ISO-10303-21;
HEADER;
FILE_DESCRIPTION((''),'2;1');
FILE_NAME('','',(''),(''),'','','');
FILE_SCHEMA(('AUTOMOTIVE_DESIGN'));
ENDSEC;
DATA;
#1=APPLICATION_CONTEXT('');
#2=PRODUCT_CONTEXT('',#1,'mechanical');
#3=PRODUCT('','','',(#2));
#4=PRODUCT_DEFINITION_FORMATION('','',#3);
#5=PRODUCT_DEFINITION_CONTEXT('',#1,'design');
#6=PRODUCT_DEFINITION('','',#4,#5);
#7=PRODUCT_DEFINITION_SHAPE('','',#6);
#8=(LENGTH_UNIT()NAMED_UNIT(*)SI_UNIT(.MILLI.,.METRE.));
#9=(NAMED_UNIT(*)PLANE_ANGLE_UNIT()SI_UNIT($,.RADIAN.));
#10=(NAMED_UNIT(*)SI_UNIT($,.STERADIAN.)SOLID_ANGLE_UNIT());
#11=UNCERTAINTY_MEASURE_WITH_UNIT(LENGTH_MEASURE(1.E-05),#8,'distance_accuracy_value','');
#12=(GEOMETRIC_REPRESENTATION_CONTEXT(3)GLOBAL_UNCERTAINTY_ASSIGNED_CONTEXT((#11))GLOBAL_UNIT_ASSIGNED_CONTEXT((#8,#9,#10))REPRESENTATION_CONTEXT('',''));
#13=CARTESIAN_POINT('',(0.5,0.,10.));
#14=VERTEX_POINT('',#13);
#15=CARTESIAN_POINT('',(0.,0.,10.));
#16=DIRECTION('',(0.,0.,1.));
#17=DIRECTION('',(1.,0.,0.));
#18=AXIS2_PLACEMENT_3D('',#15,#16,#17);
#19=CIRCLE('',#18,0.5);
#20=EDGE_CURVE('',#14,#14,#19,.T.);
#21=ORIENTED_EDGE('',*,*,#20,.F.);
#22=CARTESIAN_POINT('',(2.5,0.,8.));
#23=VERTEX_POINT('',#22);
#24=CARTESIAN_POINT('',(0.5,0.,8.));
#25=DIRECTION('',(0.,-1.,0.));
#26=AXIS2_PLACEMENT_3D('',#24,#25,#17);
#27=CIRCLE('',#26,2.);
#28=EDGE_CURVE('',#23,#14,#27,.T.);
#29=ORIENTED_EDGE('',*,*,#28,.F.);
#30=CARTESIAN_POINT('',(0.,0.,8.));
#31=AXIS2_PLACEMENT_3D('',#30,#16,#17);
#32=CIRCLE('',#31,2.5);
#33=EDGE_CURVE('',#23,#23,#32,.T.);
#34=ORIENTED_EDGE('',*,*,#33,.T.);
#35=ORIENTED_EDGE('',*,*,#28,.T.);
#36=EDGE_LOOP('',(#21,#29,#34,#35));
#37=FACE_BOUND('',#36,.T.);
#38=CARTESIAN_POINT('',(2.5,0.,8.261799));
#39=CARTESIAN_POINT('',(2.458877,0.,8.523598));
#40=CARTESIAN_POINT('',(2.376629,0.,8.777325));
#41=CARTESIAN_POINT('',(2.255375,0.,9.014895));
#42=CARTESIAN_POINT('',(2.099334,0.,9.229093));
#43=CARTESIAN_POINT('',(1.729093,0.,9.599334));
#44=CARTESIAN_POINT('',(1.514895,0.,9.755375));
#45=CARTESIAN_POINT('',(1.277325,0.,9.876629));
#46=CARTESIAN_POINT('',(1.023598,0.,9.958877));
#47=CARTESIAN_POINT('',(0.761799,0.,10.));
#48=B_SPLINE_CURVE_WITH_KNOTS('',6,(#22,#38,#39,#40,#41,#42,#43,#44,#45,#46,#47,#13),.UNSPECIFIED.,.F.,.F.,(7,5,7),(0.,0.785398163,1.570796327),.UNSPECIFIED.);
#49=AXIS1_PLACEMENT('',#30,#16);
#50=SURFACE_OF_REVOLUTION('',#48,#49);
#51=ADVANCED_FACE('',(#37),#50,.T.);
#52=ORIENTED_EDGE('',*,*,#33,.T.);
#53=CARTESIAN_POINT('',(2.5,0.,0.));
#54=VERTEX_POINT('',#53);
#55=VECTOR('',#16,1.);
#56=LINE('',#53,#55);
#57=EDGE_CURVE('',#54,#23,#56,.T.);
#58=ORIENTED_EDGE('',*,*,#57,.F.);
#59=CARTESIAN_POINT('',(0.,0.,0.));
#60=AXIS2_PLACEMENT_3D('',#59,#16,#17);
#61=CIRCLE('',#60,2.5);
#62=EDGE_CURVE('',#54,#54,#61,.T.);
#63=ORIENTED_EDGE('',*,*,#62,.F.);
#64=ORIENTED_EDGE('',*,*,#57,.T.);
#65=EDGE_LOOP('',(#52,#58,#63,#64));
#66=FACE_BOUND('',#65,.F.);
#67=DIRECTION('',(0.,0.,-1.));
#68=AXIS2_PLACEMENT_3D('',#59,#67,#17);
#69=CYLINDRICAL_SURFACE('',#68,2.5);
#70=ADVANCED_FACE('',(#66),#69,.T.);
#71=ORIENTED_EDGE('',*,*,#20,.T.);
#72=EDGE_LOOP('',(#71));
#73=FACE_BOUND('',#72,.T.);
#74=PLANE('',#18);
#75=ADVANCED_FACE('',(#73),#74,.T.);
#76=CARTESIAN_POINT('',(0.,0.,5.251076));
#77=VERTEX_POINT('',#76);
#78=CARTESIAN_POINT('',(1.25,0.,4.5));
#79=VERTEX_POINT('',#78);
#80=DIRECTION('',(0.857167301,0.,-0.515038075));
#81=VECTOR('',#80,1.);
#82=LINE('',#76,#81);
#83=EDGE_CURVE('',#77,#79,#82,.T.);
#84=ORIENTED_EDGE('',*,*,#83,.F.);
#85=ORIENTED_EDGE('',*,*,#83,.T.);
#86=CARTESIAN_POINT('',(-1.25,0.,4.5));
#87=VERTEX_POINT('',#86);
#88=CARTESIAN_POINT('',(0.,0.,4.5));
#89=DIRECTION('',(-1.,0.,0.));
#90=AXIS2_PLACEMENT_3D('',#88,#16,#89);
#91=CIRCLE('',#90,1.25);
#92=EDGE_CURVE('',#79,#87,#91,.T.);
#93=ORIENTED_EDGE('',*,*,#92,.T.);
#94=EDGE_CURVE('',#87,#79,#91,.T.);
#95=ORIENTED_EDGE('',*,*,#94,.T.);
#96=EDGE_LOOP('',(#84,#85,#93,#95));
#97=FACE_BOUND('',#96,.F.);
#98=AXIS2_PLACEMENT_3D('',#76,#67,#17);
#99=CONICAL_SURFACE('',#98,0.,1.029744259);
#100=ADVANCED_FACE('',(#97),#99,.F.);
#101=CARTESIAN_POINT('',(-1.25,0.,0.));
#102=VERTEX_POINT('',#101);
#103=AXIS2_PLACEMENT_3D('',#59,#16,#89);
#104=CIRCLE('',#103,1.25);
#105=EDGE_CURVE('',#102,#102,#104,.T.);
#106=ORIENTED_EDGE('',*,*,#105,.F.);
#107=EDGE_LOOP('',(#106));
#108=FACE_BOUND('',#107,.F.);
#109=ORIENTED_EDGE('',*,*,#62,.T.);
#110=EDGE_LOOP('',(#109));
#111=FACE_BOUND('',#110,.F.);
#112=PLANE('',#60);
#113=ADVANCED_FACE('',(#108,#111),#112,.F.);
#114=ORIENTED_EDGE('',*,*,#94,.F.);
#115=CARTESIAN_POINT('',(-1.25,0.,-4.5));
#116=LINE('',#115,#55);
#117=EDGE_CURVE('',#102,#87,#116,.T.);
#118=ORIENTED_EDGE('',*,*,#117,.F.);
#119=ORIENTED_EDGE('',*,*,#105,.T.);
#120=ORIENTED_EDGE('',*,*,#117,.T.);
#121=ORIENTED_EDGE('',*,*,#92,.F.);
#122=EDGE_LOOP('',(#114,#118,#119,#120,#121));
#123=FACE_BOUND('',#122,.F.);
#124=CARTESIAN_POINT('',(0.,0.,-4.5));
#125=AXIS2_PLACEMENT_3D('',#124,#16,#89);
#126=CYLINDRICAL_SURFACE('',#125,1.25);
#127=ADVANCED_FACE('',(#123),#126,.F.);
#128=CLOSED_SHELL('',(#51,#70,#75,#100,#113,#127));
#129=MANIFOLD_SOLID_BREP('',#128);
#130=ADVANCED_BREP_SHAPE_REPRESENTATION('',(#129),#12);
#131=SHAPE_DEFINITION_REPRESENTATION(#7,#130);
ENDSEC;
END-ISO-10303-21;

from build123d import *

# Parameters (mm, degrees)
F0_R     = 2.5
F0_R_2   = 1.25
F1_DEPTH = 10
F2_R     = 2
F4_D     = 2.5
F4_DEPTH = 4.5
F4_TIP   = 0.7510757738


with BuildPart() as f1:
    # F0 (on Top) → F1 (new body)
    with BuildSketch(Plane.XY):
        Circle(F0_R)
        Circle(F0_R_2, mode=Mode.SUBTRACT)
        Circle(F0_R_2)
    extrude(amount=F1_DEPTH)

    # F2
    f2_edges = [f1.edges().sort_by_distance(p)[0] for p in [
        (-2.5, 0, 10),
    ]]
    fillet(f2_edges, radius=F2_R)

    # F4
    with Locations(Plane(origin=(0, 0, 0), x_dir=(1, 0, 0), z_dir=(0, 0, -1))):
        with Locations((0, 0)):
            Hole(F4_D / 2, depth=F4_DEPTH)
            with Locations((0, 0, -(F4_DEPTH + F4_TIP / 2))):  # 118° drill point
                Cone(0, F4_D / 2, F4_TIP, mode=Mode.SUBTRACT)


solid = f1.part
